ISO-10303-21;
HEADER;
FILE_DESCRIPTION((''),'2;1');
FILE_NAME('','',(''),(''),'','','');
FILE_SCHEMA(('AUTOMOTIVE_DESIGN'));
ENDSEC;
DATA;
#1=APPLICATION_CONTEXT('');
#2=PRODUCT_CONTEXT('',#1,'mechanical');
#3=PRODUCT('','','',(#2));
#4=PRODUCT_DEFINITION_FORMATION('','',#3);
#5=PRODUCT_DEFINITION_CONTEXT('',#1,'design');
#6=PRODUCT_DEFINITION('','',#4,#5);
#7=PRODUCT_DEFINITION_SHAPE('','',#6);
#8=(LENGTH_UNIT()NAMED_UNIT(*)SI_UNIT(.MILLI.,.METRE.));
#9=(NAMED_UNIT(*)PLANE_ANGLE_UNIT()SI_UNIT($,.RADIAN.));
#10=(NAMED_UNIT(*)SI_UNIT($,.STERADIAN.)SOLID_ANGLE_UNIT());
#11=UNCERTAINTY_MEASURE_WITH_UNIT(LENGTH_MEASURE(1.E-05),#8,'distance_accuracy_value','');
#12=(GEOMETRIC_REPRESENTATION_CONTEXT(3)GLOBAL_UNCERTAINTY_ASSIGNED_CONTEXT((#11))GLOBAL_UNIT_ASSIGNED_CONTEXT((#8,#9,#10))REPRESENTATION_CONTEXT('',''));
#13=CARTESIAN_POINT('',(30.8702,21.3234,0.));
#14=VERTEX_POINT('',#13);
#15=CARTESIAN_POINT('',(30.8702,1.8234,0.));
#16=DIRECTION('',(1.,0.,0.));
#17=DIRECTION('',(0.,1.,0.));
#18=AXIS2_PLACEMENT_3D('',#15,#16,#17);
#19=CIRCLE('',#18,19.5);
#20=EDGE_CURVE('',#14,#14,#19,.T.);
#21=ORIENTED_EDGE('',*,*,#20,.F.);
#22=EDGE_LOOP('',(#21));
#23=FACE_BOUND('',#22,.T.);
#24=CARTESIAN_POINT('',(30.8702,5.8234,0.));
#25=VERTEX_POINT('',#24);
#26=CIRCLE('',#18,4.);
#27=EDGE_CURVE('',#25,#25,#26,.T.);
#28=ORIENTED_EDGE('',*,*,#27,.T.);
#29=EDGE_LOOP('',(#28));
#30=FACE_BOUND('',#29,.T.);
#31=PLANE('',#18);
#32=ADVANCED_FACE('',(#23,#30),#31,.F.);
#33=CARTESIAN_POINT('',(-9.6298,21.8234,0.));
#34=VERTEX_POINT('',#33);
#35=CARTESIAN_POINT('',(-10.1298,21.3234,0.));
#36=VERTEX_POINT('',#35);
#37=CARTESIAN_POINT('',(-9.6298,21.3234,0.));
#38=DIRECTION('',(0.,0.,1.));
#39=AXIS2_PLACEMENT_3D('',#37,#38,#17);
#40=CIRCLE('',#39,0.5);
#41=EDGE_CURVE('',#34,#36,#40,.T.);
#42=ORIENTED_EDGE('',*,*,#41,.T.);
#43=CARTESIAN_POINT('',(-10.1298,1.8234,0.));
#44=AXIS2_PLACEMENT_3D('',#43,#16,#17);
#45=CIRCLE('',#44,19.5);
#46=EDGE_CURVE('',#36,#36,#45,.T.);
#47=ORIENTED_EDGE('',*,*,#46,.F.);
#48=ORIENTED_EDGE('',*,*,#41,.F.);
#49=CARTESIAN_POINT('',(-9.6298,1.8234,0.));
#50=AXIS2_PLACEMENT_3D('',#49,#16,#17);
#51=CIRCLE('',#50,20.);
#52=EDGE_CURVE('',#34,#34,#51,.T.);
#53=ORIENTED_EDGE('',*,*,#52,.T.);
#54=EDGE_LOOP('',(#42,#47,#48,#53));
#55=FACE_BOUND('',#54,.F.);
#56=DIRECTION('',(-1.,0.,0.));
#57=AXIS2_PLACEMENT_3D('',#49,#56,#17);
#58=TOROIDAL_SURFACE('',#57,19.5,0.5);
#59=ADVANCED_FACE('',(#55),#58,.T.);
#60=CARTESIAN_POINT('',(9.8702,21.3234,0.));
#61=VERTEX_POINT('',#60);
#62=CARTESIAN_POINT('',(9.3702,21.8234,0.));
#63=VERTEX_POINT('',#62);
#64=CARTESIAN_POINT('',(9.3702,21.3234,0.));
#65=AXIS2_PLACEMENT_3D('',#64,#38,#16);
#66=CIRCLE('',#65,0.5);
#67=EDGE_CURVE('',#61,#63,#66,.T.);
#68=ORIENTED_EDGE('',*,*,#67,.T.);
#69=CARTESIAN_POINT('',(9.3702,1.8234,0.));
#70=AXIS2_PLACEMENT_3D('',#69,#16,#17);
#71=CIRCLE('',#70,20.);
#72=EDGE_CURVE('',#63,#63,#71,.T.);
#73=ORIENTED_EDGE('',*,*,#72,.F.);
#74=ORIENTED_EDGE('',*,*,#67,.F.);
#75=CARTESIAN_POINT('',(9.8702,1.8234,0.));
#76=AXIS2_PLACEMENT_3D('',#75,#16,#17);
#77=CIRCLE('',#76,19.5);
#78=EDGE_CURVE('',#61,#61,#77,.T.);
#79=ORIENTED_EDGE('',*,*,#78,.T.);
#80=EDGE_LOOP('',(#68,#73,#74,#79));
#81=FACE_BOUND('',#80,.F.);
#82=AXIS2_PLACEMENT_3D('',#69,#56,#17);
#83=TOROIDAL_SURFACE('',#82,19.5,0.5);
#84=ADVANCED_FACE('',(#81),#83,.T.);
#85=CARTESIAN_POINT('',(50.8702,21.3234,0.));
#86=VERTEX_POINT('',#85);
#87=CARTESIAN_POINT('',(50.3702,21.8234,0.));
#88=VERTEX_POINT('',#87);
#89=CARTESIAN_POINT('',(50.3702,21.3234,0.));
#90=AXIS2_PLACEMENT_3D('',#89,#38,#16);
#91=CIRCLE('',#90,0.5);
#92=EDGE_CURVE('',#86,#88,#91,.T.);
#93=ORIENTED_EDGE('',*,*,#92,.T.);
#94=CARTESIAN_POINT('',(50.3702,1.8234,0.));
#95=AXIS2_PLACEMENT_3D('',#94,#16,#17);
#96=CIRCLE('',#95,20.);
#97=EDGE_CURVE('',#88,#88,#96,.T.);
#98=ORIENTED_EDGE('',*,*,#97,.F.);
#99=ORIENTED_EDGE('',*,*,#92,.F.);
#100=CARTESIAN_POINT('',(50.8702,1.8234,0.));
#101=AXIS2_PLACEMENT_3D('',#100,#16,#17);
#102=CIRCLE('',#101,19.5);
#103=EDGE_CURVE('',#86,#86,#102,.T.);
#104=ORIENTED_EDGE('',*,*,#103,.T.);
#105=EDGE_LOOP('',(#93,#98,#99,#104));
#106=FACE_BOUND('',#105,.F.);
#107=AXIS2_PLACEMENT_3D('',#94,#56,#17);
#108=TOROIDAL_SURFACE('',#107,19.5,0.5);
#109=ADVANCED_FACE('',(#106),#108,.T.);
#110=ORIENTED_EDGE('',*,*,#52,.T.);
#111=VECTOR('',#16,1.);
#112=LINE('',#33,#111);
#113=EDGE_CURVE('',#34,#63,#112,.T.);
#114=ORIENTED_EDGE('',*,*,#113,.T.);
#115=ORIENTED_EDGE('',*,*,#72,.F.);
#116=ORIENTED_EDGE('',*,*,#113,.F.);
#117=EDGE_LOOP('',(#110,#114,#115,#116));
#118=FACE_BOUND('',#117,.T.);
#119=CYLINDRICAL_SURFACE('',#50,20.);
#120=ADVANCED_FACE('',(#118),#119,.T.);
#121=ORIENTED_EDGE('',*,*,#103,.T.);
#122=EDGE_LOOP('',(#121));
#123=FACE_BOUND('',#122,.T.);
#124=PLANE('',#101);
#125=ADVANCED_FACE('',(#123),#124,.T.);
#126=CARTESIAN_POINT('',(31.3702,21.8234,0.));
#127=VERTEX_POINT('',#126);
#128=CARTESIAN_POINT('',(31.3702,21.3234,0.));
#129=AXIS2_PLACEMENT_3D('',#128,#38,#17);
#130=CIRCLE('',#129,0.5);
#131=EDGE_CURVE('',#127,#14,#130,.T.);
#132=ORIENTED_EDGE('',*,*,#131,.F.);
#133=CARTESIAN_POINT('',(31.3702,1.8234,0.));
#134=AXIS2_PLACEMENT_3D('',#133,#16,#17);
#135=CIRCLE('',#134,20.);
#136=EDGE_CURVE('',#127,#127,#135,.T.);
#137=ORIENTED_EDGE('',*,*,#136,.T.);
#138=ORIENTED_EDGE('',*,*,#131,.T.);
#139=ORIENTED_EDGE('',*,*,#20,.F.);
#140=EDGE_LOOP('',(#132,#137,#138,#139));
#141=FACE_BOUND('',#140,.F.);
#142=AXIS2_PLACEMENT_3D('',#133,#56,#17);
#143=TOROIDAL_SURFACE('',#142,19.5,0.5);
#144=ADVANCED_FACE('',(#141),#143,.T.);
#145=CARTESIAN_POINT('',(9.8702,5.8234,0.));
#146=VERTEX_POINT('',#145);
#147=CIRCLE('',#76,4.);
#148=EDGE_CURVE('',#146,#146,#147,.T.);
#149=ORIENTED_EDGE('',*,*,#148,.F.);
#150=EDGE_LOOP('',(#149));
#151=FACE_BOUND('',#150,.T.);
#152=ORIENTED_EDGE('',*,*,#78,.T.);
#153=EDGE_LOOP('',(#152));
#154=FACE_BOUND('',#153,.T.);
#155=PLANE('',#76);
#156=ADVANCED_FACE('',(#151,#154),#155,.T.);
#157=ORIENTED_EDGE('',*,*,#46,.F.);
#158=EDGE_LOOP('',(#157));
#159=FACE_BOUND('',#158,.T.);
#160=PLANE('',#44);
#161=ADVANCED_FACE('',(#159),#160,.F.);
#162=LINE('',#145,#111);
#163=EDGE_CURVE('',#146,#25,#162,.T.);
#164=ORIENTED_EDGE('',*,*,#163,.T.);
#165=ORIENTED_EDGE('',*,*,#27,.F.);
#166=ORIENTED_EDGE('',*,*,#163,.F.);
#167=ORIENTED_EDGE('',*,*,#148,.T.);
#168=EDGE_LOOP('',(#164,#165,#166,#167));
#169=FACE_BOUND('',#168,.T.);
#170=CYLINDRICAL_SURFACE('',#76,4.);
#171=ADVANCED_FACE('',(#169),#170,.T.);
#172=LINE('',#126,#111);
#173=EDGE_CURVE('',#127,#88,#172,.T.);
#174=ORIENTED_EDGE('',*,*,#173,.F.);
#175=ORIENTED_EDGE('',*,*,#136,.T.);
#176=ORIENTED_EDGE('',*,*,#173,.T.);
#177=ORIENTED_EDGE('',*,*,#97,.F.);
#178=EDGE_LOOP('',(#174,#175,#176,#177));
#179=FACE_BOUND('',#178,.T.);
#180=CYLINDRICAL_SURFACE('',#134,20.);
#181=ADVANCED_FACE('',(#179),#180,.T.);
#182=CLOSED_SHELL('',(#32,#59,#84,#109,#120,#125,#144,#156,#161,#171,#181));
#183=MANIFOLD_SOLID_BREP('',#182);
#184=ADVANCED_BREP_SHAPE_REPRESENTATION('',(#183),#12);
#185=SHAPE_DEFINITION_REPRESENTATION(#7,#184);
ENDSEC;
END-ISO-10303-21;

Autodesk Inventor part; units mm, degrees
ref_plane "YZ Plane" through (0, 0, 0) normal (1, 0, 0) x (0, 1, 0)
ref_plane "XZ Plane" through (0, 0, 0) normal (0, 1, 0) x (-1, 0, 0)
ref_plane "XY Plane" through (0, 0, 0) normal (0, 0, 1) x (1, 0, 0)
sketch "Sketch1" plane through (0, 0, 0) normal (0, 0, 1) x (1, 0, 0)
  line L0 (-10.1298, 1.8234) -> (50.8702, 1.8234)
  line L1 (-10.1298, 1.8234) -> (-10.1298, 21.3234)
  line L2 (-9.6298, 21.8234) -> (9.3702, 21.8234)
  line L3 (9.8702, 21.3234) -> (9.8702, 1.8234)
  line L4 (9.8702, 1.8234) -> (9.8702, 5.8234)
  line L5 (9.8702, 5.8234) -> (30.8702, 5.8234)
  line L6 (30.8702, 5.8234) -> (30.8702, 1.8234)
  line L7 (30.8702, 1.8234) -> (30.8702, 21.3234)
  line L8 (31.3702, 21.8234) -> (50.3702, 21.8234)
  line L9 (50.8702, 21.3234) -> (50.8702, 1.8234)
  arc A0 (-9.6298, 21.8234) -> (-10.1298, 21.3234) centre (-9.6298, 21.3234) ccw
  arc A1 (9.8702, 21.3234) -> (9.3702, 21.8234) centre (9.3702, 21.3234) ccw
  arc A2 (31.3702, 21.8234) -> (30.8702, 21.3234) centre (31.3702, 21.3234) ccw
  arc A3 (50.8702, 21.3234) -> (50.3702, 21.8234) centre (50.3702, 21.3234) ccw
  point P0 (0, 0)
  point P1 (-10.1298, 21.8234)
  point P2 (9.8702, 21.8234)
  point P3 (30.8702, 21.8234)
  point P4 (50.8702, 21.8234)
  dimension "d0" = 61
  dimension "d1" = 20
  dimension "d2" = 20
  dimension "d3" = 4
  dimension "d4" = 21
  dimension "d5" = 20
  dimension "d7" = 0.5
  dimension "d8" = 0.5
revolve "Revolution1" add sketch "Sketch1" angle 360 about axis through (-10.1298, 1.8234, 0) along (1, 0, 0)
properties part number "kola" material "Wood (Birch)"
